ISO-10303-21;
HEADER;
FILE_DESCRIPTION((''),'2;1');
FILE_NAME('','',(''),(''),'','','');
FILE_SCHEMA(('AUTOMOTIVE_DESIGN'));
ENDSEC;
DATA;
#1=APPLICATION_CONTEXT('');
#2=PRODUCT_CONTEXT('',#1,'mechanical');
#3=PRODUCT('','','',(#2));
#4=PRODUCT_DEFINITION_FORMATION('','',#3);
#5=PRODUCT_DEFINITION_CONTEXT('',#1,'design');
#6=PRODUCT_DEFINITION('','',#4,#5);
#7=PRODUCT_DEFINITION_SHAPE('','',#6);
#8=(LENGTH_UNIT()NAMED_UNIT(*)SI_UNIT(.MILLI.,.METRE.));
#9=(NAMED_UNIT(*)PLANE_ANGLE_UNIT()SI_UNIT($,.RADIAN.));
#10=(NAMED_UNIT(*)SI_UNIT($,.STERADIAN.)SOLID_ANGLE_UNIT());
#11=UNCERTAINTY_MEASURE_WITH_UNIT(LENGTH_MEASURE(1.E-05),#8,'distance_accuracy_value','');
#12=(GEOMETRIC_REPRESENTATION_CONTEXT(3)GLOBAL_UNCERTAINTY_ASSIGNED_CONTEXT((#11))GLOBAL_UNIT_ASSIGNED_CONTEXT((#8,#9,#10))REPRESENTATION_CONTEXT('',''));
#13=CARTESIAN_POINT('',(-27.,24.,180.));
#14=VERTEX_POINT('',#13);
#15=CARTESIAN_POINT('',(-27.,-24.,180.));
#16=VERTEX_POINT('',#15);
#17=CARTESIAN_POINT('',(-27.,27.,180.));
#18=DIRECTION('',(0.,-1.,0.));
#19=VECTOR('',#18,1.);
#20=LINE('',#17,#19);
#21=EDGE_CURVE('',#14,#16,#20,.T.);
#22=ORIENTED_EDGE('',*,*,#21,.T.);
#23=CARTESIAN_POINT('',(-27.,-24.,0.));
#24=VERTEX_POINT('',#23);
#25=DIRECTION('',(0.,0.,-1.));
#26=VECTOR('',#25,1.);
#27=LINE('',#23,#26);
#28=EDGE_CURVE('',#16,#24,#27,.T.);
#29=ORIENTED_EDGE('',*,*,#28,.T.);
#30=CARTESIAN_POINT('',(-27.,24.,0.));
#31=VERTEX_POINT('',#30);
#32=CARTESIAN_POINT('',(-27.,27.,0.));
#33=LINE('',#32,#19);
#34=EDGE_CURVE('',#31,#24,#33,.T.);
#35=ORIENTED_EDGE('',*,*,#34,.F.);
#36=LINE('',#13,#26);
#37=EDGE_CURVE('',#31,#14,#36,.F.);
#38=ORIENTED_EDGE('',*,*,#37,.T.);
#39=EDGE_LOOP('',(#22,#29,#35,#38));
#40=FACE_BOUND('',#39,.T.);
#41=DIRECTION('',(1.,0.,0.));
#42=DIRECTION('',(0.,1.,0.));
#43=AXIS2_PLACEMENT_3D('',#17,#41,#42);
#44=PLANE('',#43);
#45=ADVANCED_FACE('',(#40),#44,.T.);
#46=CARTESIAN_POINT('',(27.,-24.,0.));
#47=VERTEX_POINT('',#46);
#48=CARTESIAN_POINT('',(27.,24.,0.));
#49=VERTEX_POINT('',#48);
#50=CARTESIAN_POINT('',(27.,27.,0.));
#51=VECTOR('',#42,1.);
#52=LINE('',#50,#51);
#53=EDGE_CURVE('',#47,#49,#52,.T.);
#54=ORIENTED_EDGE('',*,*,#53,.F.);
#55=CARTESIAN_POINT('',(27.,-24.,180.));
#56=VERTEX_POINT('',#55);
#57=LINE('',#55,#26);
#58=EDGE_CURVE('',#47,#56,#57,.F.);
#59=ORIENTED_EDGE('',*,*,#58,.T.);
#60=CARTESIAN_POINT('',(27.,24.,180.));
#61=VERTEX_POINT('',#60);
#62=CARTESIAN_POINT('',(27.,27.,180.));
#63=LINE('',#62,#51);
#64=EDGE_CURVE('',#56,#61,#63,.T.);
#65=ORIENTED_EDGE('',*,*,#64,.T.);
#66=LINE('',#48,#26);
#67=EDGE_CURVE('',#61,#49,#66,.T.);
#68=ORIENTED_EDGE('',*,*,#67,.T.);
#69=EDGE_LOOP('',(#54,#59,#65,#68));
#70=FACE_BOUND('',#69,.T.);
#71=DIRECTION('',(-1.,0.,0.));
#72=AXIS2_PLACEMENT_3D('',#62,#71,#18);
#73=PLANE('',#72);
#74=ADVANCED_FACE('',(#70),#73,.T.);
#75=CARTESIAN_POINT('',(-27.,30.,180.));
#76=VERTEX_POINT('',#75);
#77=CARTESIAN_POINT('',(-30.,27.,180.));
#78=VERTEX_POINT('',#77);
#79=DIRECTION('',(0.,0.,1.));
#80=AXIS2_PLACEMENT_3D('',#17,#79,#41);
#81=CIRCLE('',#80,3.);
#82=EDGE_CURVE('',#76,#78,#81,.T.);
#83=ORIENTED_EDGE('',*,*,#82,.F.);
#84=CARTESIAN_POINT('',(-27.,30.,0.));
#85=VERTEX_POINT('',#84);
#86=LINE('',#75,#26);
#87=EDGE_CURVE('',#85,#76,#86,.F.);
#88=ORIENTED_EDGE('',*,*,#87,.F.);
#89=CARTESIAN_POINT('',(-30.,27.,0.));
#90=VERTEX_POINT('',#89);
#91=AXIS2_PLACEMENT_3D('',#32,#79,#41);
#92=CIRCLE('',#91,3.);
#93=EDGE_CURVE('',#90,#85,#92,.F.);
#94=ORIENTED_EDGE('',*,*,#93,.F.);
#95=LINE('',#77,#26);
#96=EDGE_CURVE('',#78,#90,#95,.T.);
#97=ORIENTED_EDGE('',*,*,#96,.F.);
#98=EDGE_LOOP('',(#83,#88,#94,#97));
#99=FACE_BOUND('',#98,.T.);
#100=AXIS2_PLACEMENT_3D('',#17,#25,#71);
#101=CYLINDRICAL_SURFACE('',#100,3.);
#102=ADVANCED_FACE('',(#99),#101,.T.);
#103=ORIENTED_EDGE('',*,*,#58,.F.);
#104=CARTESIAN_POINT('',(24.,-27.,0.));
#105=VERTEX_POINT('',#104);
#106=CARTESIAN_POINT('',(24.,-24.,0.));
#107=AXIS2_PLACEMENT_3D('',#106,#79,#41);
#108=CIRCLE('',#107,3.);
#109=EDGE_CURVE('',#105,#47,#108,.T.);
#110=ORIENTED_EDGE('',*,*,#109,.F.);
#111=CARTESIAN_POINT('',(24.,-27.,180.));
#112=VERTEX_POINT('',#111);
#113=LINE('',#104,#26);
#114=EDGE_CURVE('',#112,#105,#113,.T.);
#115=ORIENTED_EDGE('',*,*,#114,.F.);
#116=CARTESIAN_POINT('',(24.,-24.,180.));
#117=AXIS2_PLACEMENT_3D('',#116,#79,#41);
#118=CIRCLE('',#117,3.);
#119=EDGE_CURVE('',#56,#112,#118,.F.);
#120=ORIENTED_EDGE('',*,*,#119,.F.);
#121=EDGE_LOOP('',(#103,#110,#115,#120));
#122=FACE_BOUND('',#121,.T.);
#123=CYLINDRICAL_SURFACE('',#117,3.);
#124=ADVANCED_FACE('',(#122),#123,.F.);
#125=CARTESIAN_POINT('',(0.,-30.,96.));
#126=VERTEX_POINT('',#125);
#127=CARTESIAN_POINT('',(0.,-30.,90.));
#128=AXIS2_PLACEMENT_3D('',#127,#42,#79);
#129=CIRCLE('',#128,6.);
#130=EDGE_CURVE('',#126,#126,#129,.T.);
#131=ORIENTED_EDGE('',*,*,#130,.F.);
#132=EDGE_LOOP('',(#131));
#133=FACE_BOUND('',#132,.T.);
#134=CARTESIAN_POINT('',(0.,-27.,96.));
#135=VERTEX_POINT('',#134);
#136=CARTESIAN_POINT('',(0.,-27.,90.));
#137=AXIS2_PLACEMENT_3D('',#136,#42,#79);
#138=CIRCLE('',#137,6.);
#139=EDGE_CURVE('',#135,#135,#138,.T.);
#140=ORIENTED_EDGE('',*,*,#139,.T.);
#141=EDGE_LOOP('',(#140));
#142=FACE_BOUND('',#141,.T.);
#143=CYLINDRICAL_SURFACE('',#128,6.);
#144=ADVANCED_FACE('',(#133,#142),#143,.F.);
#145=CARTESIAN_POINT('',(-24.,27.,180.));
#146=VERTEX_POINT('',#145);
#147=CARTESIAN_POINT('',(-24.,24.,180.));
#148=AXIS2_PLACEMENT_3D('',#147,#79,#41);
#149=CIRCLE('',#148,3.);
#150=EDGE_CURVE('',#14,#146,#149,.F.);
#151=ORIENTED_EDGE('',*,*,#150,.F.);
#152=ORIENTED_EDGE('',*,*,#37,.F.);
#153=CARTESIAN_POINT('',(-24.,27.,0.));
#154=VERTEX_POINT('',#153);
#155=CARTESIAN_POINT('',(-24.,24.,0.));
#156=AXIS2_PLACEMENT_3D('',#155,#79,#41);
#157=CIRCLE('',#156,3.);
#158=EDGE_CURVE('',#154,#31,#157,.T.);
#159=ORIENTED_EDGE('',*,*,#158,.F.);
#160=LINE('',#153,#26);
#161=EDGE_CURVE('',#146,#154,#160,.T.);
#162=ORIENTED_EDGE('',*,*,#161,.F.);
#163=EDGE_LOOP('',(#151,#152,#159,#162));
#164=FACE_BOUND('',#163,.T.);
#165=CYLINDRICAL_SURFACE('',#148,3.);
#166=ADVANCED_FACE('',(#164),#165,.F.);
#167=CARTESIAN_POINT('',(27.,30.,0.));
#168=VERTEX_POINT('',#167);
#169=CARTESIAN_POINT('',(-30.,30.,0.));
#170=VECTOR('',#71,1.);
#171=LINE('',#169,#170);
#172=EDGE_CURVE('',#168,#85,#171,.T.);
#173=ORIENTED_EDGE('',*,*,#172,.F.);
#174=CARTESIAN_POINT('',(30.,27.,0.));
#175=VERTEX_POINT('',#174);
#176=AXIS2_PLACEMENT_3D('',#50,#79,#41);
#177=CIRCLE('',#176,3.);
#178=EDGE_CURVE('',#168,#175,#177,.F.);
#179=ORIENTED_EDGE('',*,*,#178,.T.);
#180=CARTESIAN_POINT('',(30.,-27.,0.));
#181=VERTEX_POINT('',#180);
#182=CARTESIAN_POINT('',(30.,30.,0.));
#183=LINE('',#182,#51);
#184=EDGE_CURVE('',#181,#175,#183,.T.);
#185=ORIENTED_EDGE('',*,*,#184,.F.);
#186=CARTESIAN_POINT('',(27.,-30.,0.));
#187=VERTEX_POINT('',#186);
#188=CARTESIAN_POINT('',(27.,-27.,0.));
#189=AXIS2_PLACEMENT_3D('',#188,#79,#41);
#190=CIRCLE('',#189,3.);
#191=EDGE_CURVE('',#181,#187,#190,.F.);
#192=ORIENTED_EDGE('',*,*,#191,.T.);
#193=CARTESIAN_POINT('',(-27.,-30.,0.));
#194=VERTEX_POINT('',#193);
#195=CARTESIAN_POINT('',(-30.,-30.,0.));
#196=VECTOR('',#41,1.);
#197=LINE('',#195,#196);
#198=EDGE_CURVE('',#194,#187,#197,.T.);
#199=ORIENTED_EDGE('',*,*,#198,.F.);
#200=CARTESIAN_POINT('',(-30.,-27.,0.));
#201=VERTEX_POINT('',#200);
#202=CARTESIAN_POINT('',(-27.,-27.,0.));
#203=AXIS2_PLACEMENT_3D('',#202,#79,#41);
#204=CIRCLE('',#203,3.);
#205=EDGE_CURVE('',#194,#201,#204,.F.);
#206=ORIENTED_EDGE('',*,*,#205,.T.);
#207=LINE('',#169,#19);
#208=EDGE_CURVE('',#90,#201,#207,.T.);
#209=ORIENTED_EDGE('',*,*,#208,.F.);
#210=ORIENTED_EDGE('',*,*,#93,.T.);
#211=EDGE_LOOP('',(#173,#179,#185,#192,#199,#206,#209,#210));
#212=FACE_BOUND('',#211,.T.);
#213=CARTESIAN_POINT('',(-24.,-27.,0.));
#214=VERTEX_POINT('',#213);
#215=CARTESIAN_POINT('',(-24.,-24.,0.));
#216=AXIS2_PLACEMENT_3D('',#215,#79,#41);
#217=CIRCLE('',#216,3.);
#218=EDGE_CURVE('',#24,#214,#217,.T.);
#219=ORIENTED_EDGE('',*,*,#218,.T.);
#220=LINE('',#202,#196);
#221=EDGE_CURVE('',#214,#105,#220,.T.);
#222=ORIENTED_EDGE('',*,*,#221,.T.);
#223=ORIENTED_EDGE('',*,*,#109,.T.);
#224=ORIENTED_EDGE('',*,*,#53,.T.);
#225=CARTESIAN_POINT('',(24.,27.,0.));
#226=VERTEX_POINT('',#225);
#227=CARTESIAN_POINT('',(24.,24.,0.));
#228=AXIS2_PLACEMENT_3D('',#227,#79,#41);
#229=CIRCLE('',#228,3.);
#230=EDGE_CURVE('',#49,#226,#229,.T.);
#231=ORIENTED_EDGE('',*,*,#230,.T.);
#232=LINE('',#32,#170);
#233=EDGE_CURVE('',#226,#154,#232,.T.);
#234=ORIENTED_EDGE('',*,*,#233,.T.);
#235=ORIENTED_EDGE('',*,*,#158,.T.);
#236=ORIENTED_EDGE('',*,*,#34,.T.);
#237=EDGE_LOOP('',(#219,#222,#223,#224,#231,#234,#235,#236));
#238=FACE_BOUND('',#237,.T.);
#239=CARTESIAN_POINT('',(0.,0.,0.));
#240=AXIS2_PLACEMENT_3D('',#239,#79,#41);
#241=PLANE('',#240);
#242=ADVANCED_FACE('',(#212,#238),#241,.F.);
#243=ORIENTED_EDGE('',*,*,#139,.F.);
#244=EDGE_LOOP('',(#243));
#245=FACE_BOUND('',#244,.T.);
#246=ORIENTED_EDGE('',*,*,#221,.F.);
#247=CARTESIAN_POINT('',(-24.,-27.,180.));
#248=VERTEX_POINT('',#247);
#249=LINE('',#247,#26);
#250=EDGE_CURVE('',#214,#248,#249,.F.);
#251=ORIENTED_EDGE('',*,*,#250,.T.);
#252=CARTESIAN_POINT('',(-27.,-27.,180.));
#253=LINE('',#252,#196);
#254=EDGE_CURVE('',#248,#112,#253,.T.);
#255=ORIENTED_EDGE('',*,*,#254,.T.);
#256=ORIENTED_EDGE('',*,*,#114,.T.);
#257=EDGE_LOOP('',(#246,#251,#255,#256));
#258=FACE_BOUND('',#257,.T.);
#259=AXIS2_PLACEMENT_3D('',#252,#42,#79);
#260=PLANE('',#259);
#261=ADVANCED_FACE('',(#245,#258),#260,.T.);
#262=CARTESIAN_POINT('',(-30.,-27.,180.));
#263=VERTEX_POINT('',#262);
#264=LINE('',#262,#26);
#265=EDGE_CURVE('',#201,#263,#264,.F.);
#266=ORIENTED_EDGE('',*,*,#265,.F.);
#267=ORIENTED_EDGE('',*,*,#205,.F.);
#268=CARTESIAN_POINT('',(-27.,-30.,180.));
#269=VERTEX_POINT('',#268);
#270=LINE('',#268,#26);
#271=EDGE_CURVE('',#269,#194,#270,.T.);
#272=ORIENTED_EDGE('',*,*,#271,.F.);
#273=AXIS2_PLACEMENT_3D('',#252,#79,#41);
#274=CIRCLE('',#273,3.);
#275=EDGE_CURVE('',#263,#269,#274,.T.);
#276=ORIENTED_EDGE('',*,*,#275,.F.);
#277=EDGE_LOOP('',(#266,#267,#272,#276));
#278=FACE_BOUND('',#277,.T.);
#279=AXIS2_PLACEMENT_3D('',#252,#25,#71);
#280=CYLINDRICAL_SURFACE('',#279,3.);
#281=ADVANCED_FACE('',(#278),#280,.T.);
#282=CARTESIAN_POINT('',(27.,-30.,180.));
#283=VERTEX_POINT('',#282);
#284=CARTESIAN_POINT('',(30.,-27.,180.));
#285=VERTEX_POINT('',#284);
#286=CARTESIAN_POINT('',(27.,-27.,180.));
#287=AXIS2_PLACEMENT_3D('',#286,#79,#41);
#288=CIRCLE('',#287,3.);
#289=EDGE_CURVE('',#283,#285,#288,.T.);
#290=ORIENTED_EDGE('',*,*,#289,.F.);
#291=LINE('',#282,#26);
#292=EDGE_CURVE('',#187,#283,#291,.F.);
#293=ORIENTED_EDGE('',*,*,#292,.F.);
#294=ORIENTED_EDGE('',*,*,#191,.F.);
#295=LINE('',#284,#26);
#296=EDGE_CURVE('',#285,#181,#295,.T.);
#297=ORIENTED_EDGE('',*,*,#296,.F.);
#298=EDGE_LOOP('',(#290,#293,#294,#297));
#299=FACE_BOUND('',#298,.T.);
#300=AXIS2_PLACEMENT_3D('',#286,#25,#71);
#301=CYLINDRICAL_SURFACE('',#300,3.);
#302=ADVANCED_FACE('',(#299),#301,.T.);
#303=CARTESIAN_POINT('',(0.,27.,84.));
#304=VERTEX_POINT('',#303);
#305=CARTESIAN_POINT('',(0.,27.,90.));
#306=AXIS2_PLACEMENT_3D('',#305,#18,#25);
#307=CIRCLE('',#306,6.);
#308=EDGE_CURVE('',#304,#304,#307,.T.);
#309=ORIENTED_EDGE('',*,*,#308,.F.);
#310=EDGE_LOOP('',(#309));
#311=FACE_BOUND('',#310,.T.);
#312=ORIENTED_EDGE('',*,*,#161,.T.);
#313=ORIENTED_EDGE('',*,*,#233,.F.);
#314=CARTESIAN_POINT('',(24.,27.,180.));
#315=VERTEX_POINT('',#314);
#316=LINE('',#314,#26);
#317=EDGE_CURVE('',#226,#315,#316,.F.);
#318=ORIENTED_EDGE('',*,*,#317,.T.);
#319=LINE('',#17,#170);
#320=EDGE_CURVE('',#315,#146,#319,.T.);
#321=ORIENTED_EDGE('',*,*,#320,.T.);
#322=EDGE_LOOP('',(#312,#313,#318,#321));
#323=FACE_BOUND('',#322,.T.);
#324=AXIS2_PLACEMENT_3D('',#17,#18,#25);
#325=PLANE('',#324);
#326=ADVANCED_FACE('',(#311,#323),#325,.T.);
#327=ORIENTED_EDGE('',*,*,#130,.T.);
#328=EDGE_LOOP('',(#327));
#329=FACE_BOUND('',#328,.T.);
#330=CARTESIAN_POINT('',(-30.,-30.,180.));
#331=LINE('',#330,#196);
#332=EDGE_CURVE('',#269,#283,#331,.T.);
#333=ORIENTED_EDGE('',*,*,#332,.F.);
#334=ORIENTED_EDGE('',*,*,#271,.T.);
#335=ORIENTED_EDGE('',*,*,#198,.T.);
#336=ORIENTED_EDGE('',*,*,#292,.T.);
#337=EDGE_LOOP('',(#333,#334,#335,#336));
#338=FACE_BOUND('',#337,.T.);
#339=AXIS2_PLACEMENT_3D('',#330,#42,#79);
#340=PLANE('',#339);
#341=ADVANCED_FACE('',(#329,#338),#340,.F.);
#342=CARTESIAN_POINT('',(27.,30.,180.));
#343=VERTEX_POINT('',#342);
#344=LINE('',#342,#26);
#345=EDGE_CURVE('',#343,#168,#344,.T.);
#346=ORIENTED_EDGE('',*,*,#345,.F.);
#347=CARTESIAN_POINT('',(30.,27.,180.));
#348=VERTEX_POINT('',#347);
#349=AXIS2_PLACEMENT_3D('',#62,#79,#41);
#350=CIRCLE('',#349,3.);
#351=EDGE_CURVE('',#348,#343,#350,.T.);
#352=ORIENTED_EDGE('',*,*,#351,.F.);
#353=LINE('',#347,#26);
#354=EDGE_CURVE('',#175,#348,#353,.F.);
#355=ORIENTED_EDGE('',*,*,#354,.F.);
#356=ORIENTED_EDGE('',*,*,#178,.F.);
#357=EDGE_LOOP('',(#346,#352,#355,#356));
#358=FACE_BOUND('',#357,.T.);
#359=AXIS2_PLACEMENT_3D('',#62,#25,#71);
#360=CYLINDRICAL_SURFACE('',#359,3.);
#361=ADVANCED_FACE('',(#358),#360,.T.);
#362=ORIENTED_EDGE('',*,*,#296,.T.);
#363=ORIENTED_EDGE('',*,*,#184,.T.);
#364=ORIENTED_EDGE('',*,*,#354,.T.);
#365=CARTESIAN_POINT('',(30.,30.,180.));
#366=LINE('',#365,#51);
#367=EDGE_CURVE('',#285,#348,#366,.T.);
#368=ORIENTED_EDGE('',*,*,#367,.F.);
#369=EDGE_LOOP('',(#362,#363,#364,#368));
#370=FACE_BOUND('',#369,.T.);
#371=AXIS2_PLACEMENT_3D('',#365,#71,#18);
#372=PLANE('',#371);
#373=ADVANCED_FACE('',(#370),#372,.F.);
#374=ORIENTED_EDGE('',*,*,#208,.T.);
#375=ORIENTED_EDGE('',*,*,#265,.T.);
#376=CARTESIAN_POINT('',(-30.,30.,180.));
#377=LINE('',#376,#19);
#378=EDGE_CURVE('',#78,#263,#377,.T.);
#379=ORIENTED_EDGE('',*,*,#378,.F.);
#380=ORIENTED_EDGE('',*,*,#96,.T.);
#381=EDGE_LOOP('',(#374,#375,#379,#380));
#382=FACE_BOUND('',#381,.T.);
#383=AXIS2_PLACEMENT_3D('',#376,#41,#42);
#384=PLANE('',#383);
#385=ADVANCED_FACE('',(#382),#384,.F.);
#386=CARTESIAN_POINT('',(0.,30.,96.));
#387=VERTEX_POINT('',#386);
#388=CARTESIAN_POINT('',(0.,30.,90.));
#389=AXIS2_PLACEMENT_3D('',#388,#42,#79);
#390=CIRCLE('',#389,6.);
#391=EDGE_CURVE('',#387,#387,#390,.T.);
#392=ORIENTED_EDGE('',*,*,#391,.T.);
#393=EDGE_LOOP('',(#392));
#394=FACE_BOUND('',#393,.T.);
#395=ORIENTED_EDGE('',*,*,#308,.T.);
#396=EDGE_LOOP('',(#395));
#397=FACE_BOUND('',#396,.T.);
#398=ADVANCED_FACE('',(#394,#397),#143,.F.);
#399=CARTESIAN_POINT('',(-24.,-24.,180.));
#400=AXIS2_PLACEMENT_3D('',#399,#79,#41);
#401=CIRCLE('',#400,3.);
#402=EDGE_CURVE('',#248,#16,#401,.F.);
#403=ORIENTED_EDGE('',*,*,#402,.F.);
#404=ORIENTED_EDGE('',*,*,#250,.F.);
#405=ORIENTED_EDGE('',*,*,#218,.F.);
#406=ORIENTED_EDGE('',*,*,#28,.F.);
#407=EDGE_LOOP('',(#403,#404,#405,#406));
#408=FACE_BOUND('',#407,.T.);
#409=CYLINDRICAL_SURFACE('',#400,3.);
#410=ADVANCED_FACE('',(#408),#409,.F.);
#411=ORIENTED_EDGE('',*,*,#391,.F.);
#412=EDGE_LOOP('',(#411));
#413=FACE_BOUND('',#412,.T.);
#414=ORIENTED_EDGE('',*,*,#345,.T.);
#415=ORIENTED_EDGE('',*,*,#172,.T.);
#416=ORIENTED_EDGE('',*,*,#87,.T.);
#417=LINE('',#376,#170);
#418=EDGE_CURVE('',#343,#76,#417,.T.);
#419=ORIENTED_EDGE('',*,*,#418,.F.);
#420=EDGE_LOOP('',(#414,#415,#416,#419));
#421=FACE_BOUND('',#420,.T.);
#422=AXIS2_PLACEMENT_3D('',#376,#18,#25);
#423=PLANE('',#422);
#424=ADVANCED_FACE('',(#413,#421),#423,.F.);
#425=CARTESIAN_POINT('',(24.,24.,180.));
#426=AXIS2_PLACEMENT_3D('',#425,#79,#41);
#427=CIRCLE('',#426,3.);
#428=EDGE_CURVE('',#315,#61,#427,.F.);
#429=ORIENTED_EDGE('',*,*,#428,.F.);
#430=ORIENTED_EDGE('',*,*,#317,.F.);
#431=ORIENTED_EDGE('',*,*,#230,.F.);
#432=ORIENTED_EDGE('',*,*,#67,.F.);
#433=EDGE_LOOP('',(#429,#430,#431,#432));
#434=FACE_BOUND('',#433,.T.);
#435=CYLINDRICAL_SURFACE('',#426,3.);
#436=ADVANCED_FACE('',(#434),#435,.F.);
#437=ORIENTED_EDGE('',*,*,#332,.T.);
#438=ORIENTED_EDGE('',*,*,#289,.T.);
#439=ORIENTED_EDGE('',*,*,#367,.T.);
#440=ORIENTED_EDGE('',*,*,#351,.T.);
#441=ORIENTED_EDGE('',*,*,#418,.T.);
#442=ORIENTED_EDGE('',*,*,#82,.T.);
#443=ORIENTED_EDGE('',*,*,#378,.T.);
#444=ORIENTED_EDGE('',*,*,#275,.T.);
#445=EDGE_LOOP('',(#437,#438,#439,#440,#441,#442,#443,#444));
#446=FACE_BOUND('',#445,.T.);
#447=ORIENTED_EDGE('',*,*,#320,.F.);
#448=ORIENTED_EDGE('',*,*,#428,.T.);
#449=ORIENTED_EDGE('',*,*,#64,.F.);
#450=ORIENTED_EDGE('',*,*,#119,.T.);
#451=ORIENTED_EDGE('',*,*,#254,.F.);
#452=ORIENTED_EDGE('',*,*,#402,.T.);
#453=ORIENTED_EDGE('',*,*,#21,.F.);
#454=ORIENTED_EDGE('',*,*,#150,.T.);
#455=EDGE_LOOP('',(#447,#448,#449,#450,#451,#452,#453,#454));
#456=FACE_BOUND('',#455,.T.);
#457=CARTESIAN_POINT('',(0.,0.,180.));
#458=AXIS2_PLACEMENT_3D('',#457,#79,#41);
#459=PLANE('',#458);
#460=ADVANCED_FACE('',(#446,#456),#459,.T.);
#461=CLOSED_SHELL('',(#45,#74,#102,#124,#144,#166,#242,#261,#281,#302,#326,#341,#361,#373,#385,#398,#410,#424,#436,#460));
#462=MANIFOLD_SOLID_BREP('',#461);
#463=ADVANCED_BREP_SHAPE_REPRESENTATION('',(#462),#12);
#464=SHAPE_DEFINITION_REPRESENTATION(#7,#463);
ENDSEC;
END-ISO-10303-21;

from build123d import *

# Parameters (mm, degrees)
SKETCH1_W               = 60
SKETCH1_H               = 60
SKETCH1_W_2             = 54
SKETCH1_H_2             = 54
BOSS_EXTRUDE1_DEPTH     = 180
FILLET1_R               = 3
SKETCH2_R               = 6
CUT_EXTRUDE1_DEPTH      = 31
CUT_EXTRUDE1_DEPTH_BACK = 31


with BuildPart() as part:
    # Sketch1 → Boss-Extrude1 (new body)
    with BuildSketch(Plane.XY):
        Rectangle(SKETCH1_W, SKETCH1_H)
        Rectangle(SKETCH1_W_2, SKETCH1_H_2, mode=Mode.SUBTRACT)
    extrude(amount=BOSS_EXTRUDE1_DEPTH)

    # Fillet1
    fillet1_edges = [part.edges().sort_by_distance(p)[0] for p in [
        (27, -27, 90),
        (27, 27, 90),
        (-27, 27, 90),
        (-27, -27, 90),
        (30, -30, 90),
        (-30, -30, 90),
        (-30, 30, 90),
        (30, 30, 90),
    ]]
    fillet(fillet1_edges, radius=FILLET1_R)

    # Sketch2 → Cut-Extrude1 (cut, two sides)
    with BuildSketch(Plane(origin=(0, 0, 0), x_dir=(1, 0, 0), z_dir=(0, 1, 0))) as cut_extrude1_sk:
        with Locations((0, -90)):
            Circle(SKETCH2_R)
    extrude(amount=CUT_EXTRUDE1_DEPTH, mode=Mode.SUBTRACT)
    extrude(cut_extrude1_sk.sketch, amount=-CUT_EXTRUDE1_DEPTH_BACK, mode=Mode.SUBTRACT)


solid = part.part
